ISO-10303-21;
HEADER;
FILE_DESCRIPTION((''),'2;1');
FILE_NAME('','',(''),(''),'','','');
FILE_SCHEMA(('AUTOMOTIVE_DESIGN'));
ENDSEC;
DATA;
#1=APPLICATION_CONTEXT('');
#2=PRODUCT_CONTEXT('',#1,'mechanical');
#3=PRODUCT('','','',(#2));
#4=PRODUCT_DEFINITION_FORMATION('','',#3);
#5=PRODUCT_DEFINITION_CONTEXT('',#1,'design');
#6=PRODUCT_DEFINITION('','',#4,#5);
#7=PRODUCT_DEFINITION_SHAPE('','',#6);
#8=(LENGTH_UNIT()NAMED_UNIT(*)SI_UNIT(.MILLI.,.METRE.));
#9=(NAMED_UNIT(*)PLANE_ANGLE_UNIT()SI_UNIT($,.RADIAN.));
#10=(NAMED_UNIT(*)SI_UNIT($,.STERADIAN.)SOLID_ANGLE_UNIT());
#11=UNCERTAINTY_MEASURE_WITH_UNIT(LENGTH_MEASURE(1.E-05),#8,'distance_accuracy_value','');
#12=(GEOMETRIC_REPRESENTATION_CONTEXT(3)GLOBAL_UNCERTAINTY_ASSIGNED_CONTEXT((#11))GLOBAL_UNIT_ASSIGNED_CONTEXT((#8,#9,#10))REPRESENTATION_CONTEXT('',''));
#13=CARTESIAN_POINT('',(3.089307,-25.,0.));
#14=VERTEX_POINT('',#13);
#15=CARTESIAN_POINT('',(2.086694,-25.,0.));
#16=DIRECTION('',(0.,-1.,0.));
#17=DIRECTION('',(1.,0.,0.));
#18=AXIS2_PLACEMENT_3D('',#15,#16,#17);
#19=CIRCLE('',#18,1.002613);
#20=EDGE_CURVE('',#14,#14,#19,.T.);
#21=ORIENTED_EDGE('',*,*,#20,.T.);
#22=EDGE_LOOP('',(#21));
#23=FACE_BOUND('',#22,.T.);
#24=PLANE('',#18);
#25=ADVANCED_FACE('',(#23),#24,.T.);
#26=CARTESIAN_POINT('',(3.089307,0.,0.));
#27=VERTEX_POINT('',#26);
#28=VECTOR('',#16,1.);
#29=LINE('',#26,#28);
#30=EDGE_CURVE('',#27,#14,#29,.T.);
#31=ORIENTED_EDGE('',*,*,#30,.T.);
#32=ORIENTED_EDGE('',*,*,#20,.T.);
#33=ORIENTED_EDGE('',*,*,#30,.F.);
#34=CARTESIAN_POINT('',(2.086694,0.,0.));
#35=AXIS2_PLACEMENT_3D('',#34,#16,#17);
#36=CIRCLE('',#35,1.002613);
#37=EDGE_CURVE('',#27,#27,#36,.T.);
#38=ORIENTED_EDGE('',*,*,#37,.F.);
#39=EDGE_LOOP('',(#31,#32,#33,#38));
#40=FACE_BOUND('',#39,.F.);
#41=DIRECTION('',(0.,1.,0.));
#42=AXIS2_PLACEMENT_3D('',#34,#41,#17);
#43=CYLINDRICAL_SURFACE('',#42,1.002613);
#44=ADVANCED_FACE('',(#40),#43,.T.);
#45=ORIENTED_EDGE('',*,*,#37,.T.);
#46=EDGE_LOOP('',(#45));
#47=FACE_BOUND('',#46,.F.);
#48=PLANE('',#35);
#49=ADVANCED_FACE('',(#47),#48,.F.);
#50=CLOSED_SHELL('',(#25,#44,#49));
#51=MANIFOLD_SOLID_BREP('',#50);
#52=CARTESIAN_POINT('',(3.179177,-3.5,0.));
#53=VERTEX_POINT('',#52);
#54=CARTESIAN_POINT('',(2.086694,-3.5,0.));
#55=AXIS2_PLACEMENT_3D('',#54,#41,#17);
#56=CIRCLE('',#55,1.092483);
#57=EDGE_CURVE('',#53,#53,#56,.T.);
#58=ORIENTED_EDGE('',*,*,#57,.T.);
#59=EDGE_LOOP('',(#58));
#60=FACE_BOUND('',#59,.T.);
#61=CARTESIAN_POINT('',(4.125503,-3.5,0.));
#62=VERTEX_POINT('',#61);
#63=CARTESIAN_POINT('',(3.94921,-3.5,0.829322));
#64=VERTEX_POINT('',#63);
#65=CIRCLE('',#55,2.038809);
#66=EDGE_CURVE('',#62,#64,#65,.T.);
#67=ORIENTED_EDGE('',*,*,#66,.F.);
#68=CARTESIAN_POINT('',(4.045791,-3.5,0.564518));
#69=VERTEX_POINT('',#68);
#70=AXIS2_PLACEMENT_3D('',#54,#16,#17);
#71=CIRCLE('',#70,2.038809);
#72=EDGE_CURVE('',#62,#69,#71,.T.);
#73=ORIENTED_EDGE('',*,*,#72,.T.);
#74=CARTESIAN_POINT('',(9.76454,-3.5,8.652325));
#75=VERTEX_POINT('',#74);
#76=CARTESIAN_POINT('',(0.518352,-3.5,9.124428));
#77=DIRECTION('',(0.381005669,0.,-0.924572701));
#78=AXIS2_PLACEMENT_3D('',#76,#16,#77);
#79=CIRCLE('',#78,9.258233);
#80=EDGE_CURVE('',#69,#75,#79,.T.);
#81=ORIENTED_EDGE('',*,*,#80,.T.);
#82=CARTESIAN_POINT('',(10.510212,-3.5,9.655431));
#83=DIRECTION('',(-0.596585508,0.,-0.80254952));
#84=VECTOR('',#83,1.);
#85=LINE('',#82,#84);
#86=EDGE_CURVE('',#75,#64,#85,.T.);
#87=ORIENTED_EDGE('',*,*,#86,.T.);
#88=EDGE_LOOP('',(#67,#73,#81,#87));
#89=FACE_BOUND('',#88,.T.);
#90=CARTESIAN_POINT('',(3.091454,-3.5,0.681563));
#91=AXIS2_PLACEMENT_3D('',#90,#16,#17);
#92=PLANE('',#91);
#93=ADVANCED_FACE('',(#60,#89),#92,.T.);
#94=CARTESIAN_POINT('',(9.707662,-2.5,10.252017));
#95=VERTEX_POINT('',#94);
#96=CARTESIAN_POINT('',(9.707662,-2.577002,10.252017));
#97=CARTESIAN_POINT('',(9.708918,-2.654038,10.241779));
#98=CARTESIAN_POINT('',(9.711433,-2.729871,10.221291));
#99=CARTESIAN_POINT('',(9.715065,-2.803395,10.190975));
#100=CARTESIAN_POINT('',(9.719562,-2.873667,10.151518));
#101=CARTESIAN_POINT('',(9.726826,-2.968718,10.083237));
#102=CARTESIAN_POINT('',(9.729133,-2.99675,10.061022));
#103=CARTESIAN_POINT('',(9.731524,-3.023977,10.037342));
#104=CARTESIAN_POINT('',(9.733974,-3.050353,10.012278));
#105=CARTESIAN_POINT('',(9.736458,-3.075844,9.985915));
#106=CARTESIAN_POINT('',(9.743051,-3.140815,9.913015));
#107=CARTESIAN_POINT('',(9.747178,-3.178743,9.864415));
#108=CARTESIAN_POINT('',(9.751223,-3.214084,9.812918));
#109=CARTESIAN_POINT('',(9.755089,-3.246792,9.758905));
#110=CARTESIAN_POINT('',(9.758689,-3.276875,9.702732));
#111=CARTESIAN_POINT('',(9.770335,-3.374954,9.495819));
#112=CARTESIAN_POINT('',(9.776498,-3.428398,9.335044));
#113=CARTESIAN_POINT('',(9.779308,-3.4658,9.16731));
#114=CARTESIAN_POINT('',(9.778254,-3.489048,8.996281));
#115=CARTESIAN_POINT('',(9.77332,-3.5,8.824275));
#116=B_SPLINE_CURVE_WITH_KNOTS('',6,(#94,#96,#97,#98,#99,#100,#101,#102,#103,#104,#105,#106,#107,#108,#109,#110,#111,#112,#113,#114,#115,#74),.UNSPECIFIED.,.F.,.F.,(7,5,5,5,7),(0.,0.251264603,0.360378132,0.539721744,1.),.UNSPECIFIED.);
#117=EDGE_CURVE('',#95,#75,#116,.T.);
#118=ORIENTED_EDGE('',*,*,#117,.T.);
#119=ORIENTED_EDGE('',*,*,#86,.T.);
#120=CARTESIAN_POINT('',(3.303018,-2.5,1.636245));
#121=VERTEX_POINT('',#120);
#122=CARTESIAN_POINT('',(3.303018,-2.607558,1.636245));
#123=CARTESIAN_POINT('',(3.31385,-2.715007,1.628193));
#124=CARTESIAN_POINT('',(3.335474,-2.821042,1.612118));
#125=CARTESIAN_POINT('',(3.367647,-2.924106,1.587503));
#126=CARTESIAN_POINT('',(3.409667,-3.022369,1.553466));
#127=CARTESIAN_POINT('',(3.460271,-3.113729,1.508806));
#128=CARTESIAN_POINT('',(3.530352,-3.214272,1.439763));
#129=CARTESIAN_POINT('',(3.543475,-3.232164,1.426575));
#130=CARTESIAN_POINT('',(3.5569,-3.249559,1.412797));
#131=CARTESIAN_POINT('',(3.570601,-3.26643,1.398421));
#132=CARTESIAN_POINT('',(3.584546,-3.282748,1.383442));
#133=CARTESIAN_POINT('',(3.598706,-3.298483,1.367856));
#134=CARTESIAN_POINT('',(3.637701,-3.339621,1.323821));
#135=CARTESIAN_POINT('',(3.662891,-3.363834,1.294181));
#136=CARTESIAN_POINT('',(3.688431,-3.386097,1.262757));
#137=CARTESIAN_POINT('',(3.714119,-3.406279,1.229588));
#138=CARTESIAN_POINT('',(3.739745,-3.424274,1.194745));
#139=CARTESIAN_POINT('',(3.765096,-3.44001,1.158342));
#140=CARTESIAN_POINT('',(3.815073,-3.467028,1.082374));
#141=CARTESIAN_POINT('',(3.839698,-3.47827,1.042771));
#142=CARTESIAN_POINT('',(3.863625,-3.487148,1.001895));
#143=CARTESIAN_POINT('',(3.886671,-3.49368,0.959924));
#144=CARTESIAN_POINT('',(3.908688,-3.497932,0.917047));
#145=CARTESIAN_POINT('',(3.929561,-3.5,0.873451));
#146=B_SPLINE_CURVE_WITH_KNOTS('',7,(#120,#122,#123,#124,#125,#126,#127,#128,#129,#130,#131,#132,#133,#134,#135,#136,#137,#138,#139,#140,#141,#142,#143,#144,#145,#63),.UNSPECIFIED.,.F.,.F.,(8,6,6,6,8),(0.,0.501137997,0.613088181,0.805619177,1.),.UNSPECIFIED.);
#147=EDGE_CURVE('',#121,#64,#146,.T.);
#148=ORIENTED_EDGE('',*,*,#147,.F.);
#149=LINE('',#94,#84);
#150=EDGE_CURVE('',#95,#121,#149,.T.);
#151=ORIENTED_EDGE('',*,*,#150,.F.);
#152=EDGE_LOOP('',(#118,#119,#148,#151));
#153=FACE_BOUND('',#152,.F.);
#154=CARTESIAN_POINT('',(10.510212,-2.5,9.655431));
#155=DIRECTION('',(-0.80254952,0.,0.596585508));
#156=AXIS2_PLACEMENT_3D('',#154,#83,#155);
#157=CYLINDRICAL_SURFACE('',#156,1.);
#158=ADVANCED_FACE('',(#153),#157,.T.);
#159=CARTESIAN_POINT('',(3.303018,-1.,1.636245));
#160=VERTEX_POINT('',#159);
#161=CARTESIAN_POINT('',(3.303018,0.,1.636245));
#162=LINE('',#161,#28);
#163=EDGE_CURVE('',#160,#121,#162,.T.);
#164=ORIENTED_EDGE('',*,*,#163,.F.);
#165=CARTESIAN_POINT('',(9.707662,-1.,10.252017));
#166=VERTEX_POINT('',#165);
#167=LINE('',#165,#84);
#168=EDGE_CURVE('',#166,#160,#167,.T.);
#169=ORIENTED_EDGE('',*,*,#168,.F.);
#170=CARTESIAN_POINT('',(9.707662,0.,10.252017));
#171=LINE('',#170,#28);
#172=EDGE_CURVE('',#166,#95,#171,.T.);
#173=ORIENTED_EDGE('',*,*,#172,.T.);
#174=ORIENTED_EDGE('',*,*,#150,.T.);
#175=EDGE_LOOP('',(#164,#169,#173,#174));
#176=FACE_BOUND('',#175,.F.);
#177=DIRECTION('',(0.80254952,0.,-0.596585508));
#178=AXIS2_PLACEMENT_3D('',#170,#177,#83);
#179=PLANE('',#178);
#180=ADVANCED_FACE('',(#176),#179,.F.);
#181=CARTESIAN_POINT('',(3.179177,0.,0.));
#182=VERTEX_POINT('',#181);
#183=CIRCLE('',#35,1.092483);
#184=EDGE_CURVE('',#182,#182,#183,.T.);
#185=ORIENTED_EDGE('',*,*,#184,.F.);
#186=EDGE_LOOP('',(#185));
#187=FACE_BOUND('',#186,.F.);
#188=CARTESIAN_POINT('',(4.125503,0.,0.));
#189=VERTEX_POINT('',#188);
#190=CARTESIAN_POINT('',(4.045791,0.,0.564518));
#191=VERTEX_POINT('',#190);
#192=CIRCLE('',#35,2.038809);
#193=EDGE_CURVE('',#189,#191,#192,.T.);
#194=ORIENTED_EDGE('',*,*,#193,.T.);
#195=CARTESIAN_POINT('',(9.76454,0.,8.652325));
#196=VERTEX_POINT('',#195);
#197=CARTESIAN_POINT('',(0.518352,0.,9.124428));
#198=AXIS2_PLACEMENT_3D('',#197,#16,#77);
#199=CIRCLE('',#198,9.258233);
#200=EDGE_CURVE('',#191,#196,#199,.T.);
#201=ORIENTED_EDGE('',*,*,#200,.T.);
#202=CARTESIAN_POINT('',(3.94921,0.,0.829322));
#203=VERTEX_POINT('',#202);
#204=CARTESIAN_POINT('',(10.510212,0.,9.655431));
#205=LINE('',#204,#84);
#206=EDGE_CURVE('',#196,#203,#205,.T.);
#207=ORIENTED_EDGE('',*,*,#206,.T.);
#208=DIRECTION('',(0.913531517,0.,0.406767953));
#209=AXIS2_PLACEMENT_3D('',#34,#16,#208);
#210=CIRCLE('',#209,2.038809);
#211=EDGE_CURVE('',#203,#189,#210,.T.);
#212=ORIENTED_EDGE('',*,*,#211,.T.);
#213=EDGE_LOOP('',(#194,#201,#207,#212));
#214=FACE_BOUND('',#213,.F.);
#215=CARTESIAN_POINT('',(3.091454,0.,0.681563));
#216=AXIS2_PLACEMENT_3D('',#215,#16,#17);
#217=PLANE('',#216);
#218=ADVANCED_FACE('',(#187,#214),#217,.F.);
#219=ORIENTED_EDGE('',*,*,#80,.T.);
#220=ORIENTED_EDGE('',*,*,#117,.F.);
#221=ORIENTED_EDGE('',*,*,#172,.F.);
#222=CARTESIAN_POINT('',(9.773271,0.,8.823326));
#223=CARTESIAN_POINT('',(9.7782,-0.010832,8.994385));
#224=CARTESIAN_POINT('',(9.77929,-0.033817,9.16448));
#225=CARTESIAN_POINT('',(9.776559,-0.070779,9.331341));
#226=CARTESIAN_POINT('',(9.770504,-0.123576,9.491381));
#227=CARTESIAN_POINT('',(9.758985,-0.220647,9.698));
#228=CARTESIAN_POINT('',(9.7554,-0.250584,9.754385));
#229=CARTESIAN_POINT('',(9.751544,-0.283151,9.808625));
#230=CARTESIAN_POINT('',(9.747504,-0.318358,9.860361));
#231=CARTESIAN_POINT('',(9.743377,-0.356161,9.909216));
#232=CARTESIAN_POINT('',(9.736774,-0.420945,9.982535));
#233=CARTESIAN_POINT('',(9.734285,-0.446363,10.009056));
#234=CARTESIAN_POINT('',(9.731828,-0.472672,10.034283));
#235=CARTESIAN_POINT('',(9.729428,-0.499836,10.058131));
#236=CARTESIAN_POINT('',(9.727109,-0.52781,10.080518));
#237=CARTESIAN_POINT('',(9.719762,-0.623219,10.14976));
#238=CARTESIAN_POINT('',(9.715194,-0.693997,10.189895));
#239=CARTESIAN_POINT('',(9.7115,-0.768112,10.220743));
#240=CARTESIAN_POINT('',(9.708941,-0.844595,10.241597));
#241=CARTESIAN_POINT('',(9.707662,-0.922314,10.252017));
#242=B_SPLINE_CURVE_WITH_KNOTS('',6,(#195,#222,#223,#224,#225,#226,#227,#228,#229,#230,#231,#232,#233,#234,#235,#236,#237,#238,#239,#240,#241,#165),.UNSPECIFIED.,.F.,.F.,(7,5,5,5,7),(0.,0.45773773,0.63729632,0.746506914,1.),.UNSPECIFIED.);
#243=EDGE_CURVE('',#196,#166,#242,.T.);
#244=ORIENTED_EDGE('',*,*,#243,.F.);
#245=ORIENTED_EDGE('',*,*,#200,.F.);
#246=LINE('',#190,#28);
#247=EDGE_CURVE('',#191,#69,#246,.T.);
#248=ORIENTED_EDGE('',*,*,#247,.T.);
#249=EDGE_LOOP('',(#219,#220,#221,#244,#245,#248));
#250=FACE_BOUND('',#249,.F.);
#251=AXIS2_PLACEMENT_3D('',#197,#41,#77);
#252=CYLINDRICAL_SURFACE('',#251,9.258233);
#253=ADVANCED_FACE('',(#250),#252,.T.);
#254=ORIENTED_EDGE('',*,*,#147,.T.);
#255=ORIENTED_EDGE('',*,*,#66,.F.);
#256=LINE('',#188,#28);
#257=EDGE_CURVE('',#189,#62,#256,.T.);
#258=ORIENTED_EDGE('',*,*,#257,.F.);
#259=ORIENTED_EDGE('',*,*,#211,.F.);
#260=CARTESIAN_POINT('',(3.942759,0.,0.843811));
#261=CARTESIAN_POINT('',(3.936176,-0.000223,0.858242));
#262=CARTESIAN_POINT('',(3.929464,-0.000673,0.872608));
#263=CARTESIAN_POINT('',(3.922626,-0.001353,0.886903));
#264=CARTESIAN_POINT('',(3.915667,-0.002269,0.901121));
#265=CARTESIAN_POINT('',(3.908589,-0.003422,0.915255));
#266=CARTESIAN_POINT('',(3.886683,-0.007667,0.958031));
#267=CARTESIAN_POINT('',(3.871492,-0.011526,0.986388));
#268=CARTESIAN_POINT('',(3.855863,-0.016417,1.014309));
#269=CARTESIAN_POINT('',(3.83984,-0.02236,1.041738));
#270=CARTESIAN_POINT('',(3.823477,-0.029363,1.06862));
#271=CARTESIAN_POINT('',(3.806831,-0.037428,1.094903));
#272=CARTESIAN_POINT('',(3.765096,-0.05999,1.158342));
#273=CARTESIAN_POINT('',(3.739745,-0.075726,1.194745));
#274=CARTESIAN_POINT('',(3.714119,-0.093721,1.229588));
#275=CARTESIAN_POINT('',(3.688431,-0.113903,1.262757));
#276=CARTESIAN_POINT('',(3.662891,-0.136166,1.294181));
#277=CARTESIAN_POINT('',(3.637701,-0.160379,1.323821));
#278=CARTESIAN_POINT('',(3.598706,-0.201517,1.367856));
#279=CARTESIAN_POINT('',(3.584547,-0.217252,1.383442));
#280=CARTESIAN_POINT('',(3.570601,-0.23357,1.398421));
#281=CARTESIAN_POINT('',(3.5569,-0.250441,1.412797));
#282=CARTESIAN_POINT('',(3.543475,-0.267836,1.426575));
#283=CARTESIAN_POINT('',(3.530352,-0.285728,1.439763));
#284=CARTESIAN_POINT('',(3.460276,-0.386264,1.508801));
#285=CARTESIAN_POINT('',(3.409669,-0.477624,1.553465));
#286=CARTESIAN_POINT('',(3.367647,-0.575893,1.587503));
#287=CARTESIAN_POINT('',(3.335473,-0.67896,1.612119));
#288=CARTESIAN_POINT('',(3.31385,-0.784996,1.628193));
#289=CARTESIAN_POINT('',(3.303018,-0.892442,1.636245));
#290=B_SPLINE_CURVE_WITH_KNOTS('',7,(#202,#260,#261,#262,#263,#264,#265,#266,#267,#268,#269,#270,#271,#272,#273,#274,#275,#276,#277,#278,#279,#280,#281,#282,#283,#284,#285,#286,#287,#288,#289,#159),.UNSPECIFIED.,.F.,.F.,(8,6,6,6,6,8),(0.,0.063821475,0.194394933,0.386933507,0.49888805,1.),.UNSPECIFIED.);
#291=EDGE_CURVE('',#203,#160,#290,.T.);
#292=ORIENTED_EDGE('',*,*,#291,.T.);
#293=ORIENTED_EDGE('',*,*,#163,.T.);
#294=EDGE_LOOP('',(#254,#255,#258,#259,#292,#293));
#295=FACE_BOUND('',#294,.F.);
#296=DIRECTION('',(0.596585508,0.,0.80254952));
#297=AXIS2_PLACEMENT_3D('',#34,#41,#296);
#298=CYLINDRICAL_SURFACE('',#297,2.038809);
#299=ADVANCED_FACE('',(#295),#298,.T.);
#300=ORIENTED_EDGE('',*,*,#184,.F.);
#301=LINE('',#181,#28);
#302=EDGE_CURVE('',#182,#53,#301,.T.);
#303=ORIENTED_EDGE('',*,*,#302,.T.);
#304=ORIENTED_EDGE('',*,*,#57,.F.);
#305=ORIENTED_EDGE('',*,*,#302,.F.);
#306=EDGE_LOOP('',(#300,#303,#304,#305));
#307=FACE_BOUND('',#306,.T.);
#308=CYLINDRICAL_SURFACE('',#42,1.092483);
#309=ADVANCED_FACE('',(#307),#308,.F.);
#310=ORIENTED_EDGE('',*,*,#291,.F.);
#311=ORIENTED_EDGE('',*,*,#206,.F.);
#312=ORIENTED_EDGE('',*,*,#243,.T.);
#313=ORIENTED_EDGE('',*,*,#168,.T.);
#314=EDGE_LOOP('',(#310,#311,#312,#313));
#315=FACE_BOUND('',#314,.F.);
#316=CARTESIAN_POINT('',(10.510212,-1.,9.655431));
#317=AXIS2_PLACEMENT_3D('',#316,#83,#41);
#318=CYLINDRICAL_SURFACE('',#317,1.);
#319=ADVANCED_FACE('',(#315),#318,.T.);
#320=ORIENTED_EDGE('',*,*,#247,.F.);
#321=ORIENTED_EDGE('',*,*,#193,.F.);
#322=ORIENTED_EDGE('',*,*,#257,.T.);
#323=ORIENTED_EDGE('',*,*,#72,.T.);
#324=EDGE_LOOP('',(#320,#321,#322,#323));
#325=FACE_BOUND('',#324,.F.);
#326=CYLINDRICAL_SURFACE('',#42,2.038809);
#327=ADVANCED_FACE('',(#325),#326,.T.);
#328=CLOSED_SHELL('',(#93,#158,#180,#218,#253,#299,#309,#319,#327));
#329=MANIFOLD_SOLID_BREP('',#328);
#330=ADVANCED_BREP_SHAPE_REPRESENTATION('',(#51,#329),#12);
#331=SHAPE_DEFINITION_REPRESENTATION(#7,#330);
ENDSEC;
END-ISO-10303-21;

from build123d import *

# Parameters (mm, degrees)
F1_DEPTH = 3.5
F2_R     = 1.0924829463
F3_DEPTH = 59.1
F4_R     = 1
F5_R     = 1
F6_R     = 1.0026125985
F7_DEPTH = 25


with BuildPart() as f1:
    # F0 (on Front) → F1 (new body)
    with BuildSketch(Plane.XZ):
        with BuildLine():
            Line((3.3030178364, 1.6362452487), (2.0866938867, 0))
            ThreePointArc((2.0866938867, 0), (3.0818293236, 0.228166657), (4.0457910308, 0.564518241))
            ThreePointArc((4.0457910308, 0.564518241), (3.7623950759, 1.1613647098), (3.3030178364, 1.6362452487))
        make_face()
        with BuildLine():
            ThreePointArc((4.0457910308, 0.564518241), (3.0818293236, 0.228166657), (2.0866938867, 0))
            Line((2.0866938867, 0), (3.3030178364, 1.6362452487))
            ThreePointArc((3.3030178364, 1.6362452487), (0.2650744454, -0.9156664654), (4.1255029667, 0))
            ThreePointArc((4.1255029667, 0), (4.1054766277, 0.285059133), (4.0457910308, 0.564518241))
        make_face()
        with BuildLine():
            ThreePointArc((3.3030178364, 1.6362452487), (3.7623950759, 1.1613647098), (4.0457910308, 0.564518241))
            ThreePointArc((4.0457910308, 0.564518241), (8.5115261525, 4.4528066863), (9.7076622769, 10.2520165965))
            Line((9.7076622769, 10.2520165965), (3.3030178364, 1.6362452487))
        make_face()
    extrude(amount=F1_DEPTH)

    # F2 (on Front) → F3 (cut)
    with BuildSketch(Plane.XZ):
        with Locations((2.0866938867, 0)):
            Circle(F2_R)
    extrude(amount=F3_DEPTH, mode=Mode.SUBTRACT)

    # F4
    f4_edges = [f1.edges().sort_by_distance(p)[0] for p in [
        (6.50534, -3.5, 5.944131),
    ]]
    fillet(f4_edges, radius=F4_R)

    # F5
    f5_edges = [f1.edges().sort_by_distance(p)[0] for p in [
        (6.50534, 0, 5.944131),
    ]]
    fillet(f5_edges, radius=F5_R)


with BuildPart() as f7:
    # F6 (on Front) → F7 (new body)
    with BuildSketch(Plane.XZ):
        with Locations((2.0866941195, 0)):
            Circle(F6_R)
    extrude(amount=F7_DEPTH)


solid = Compound([f1.part, f7.part])
